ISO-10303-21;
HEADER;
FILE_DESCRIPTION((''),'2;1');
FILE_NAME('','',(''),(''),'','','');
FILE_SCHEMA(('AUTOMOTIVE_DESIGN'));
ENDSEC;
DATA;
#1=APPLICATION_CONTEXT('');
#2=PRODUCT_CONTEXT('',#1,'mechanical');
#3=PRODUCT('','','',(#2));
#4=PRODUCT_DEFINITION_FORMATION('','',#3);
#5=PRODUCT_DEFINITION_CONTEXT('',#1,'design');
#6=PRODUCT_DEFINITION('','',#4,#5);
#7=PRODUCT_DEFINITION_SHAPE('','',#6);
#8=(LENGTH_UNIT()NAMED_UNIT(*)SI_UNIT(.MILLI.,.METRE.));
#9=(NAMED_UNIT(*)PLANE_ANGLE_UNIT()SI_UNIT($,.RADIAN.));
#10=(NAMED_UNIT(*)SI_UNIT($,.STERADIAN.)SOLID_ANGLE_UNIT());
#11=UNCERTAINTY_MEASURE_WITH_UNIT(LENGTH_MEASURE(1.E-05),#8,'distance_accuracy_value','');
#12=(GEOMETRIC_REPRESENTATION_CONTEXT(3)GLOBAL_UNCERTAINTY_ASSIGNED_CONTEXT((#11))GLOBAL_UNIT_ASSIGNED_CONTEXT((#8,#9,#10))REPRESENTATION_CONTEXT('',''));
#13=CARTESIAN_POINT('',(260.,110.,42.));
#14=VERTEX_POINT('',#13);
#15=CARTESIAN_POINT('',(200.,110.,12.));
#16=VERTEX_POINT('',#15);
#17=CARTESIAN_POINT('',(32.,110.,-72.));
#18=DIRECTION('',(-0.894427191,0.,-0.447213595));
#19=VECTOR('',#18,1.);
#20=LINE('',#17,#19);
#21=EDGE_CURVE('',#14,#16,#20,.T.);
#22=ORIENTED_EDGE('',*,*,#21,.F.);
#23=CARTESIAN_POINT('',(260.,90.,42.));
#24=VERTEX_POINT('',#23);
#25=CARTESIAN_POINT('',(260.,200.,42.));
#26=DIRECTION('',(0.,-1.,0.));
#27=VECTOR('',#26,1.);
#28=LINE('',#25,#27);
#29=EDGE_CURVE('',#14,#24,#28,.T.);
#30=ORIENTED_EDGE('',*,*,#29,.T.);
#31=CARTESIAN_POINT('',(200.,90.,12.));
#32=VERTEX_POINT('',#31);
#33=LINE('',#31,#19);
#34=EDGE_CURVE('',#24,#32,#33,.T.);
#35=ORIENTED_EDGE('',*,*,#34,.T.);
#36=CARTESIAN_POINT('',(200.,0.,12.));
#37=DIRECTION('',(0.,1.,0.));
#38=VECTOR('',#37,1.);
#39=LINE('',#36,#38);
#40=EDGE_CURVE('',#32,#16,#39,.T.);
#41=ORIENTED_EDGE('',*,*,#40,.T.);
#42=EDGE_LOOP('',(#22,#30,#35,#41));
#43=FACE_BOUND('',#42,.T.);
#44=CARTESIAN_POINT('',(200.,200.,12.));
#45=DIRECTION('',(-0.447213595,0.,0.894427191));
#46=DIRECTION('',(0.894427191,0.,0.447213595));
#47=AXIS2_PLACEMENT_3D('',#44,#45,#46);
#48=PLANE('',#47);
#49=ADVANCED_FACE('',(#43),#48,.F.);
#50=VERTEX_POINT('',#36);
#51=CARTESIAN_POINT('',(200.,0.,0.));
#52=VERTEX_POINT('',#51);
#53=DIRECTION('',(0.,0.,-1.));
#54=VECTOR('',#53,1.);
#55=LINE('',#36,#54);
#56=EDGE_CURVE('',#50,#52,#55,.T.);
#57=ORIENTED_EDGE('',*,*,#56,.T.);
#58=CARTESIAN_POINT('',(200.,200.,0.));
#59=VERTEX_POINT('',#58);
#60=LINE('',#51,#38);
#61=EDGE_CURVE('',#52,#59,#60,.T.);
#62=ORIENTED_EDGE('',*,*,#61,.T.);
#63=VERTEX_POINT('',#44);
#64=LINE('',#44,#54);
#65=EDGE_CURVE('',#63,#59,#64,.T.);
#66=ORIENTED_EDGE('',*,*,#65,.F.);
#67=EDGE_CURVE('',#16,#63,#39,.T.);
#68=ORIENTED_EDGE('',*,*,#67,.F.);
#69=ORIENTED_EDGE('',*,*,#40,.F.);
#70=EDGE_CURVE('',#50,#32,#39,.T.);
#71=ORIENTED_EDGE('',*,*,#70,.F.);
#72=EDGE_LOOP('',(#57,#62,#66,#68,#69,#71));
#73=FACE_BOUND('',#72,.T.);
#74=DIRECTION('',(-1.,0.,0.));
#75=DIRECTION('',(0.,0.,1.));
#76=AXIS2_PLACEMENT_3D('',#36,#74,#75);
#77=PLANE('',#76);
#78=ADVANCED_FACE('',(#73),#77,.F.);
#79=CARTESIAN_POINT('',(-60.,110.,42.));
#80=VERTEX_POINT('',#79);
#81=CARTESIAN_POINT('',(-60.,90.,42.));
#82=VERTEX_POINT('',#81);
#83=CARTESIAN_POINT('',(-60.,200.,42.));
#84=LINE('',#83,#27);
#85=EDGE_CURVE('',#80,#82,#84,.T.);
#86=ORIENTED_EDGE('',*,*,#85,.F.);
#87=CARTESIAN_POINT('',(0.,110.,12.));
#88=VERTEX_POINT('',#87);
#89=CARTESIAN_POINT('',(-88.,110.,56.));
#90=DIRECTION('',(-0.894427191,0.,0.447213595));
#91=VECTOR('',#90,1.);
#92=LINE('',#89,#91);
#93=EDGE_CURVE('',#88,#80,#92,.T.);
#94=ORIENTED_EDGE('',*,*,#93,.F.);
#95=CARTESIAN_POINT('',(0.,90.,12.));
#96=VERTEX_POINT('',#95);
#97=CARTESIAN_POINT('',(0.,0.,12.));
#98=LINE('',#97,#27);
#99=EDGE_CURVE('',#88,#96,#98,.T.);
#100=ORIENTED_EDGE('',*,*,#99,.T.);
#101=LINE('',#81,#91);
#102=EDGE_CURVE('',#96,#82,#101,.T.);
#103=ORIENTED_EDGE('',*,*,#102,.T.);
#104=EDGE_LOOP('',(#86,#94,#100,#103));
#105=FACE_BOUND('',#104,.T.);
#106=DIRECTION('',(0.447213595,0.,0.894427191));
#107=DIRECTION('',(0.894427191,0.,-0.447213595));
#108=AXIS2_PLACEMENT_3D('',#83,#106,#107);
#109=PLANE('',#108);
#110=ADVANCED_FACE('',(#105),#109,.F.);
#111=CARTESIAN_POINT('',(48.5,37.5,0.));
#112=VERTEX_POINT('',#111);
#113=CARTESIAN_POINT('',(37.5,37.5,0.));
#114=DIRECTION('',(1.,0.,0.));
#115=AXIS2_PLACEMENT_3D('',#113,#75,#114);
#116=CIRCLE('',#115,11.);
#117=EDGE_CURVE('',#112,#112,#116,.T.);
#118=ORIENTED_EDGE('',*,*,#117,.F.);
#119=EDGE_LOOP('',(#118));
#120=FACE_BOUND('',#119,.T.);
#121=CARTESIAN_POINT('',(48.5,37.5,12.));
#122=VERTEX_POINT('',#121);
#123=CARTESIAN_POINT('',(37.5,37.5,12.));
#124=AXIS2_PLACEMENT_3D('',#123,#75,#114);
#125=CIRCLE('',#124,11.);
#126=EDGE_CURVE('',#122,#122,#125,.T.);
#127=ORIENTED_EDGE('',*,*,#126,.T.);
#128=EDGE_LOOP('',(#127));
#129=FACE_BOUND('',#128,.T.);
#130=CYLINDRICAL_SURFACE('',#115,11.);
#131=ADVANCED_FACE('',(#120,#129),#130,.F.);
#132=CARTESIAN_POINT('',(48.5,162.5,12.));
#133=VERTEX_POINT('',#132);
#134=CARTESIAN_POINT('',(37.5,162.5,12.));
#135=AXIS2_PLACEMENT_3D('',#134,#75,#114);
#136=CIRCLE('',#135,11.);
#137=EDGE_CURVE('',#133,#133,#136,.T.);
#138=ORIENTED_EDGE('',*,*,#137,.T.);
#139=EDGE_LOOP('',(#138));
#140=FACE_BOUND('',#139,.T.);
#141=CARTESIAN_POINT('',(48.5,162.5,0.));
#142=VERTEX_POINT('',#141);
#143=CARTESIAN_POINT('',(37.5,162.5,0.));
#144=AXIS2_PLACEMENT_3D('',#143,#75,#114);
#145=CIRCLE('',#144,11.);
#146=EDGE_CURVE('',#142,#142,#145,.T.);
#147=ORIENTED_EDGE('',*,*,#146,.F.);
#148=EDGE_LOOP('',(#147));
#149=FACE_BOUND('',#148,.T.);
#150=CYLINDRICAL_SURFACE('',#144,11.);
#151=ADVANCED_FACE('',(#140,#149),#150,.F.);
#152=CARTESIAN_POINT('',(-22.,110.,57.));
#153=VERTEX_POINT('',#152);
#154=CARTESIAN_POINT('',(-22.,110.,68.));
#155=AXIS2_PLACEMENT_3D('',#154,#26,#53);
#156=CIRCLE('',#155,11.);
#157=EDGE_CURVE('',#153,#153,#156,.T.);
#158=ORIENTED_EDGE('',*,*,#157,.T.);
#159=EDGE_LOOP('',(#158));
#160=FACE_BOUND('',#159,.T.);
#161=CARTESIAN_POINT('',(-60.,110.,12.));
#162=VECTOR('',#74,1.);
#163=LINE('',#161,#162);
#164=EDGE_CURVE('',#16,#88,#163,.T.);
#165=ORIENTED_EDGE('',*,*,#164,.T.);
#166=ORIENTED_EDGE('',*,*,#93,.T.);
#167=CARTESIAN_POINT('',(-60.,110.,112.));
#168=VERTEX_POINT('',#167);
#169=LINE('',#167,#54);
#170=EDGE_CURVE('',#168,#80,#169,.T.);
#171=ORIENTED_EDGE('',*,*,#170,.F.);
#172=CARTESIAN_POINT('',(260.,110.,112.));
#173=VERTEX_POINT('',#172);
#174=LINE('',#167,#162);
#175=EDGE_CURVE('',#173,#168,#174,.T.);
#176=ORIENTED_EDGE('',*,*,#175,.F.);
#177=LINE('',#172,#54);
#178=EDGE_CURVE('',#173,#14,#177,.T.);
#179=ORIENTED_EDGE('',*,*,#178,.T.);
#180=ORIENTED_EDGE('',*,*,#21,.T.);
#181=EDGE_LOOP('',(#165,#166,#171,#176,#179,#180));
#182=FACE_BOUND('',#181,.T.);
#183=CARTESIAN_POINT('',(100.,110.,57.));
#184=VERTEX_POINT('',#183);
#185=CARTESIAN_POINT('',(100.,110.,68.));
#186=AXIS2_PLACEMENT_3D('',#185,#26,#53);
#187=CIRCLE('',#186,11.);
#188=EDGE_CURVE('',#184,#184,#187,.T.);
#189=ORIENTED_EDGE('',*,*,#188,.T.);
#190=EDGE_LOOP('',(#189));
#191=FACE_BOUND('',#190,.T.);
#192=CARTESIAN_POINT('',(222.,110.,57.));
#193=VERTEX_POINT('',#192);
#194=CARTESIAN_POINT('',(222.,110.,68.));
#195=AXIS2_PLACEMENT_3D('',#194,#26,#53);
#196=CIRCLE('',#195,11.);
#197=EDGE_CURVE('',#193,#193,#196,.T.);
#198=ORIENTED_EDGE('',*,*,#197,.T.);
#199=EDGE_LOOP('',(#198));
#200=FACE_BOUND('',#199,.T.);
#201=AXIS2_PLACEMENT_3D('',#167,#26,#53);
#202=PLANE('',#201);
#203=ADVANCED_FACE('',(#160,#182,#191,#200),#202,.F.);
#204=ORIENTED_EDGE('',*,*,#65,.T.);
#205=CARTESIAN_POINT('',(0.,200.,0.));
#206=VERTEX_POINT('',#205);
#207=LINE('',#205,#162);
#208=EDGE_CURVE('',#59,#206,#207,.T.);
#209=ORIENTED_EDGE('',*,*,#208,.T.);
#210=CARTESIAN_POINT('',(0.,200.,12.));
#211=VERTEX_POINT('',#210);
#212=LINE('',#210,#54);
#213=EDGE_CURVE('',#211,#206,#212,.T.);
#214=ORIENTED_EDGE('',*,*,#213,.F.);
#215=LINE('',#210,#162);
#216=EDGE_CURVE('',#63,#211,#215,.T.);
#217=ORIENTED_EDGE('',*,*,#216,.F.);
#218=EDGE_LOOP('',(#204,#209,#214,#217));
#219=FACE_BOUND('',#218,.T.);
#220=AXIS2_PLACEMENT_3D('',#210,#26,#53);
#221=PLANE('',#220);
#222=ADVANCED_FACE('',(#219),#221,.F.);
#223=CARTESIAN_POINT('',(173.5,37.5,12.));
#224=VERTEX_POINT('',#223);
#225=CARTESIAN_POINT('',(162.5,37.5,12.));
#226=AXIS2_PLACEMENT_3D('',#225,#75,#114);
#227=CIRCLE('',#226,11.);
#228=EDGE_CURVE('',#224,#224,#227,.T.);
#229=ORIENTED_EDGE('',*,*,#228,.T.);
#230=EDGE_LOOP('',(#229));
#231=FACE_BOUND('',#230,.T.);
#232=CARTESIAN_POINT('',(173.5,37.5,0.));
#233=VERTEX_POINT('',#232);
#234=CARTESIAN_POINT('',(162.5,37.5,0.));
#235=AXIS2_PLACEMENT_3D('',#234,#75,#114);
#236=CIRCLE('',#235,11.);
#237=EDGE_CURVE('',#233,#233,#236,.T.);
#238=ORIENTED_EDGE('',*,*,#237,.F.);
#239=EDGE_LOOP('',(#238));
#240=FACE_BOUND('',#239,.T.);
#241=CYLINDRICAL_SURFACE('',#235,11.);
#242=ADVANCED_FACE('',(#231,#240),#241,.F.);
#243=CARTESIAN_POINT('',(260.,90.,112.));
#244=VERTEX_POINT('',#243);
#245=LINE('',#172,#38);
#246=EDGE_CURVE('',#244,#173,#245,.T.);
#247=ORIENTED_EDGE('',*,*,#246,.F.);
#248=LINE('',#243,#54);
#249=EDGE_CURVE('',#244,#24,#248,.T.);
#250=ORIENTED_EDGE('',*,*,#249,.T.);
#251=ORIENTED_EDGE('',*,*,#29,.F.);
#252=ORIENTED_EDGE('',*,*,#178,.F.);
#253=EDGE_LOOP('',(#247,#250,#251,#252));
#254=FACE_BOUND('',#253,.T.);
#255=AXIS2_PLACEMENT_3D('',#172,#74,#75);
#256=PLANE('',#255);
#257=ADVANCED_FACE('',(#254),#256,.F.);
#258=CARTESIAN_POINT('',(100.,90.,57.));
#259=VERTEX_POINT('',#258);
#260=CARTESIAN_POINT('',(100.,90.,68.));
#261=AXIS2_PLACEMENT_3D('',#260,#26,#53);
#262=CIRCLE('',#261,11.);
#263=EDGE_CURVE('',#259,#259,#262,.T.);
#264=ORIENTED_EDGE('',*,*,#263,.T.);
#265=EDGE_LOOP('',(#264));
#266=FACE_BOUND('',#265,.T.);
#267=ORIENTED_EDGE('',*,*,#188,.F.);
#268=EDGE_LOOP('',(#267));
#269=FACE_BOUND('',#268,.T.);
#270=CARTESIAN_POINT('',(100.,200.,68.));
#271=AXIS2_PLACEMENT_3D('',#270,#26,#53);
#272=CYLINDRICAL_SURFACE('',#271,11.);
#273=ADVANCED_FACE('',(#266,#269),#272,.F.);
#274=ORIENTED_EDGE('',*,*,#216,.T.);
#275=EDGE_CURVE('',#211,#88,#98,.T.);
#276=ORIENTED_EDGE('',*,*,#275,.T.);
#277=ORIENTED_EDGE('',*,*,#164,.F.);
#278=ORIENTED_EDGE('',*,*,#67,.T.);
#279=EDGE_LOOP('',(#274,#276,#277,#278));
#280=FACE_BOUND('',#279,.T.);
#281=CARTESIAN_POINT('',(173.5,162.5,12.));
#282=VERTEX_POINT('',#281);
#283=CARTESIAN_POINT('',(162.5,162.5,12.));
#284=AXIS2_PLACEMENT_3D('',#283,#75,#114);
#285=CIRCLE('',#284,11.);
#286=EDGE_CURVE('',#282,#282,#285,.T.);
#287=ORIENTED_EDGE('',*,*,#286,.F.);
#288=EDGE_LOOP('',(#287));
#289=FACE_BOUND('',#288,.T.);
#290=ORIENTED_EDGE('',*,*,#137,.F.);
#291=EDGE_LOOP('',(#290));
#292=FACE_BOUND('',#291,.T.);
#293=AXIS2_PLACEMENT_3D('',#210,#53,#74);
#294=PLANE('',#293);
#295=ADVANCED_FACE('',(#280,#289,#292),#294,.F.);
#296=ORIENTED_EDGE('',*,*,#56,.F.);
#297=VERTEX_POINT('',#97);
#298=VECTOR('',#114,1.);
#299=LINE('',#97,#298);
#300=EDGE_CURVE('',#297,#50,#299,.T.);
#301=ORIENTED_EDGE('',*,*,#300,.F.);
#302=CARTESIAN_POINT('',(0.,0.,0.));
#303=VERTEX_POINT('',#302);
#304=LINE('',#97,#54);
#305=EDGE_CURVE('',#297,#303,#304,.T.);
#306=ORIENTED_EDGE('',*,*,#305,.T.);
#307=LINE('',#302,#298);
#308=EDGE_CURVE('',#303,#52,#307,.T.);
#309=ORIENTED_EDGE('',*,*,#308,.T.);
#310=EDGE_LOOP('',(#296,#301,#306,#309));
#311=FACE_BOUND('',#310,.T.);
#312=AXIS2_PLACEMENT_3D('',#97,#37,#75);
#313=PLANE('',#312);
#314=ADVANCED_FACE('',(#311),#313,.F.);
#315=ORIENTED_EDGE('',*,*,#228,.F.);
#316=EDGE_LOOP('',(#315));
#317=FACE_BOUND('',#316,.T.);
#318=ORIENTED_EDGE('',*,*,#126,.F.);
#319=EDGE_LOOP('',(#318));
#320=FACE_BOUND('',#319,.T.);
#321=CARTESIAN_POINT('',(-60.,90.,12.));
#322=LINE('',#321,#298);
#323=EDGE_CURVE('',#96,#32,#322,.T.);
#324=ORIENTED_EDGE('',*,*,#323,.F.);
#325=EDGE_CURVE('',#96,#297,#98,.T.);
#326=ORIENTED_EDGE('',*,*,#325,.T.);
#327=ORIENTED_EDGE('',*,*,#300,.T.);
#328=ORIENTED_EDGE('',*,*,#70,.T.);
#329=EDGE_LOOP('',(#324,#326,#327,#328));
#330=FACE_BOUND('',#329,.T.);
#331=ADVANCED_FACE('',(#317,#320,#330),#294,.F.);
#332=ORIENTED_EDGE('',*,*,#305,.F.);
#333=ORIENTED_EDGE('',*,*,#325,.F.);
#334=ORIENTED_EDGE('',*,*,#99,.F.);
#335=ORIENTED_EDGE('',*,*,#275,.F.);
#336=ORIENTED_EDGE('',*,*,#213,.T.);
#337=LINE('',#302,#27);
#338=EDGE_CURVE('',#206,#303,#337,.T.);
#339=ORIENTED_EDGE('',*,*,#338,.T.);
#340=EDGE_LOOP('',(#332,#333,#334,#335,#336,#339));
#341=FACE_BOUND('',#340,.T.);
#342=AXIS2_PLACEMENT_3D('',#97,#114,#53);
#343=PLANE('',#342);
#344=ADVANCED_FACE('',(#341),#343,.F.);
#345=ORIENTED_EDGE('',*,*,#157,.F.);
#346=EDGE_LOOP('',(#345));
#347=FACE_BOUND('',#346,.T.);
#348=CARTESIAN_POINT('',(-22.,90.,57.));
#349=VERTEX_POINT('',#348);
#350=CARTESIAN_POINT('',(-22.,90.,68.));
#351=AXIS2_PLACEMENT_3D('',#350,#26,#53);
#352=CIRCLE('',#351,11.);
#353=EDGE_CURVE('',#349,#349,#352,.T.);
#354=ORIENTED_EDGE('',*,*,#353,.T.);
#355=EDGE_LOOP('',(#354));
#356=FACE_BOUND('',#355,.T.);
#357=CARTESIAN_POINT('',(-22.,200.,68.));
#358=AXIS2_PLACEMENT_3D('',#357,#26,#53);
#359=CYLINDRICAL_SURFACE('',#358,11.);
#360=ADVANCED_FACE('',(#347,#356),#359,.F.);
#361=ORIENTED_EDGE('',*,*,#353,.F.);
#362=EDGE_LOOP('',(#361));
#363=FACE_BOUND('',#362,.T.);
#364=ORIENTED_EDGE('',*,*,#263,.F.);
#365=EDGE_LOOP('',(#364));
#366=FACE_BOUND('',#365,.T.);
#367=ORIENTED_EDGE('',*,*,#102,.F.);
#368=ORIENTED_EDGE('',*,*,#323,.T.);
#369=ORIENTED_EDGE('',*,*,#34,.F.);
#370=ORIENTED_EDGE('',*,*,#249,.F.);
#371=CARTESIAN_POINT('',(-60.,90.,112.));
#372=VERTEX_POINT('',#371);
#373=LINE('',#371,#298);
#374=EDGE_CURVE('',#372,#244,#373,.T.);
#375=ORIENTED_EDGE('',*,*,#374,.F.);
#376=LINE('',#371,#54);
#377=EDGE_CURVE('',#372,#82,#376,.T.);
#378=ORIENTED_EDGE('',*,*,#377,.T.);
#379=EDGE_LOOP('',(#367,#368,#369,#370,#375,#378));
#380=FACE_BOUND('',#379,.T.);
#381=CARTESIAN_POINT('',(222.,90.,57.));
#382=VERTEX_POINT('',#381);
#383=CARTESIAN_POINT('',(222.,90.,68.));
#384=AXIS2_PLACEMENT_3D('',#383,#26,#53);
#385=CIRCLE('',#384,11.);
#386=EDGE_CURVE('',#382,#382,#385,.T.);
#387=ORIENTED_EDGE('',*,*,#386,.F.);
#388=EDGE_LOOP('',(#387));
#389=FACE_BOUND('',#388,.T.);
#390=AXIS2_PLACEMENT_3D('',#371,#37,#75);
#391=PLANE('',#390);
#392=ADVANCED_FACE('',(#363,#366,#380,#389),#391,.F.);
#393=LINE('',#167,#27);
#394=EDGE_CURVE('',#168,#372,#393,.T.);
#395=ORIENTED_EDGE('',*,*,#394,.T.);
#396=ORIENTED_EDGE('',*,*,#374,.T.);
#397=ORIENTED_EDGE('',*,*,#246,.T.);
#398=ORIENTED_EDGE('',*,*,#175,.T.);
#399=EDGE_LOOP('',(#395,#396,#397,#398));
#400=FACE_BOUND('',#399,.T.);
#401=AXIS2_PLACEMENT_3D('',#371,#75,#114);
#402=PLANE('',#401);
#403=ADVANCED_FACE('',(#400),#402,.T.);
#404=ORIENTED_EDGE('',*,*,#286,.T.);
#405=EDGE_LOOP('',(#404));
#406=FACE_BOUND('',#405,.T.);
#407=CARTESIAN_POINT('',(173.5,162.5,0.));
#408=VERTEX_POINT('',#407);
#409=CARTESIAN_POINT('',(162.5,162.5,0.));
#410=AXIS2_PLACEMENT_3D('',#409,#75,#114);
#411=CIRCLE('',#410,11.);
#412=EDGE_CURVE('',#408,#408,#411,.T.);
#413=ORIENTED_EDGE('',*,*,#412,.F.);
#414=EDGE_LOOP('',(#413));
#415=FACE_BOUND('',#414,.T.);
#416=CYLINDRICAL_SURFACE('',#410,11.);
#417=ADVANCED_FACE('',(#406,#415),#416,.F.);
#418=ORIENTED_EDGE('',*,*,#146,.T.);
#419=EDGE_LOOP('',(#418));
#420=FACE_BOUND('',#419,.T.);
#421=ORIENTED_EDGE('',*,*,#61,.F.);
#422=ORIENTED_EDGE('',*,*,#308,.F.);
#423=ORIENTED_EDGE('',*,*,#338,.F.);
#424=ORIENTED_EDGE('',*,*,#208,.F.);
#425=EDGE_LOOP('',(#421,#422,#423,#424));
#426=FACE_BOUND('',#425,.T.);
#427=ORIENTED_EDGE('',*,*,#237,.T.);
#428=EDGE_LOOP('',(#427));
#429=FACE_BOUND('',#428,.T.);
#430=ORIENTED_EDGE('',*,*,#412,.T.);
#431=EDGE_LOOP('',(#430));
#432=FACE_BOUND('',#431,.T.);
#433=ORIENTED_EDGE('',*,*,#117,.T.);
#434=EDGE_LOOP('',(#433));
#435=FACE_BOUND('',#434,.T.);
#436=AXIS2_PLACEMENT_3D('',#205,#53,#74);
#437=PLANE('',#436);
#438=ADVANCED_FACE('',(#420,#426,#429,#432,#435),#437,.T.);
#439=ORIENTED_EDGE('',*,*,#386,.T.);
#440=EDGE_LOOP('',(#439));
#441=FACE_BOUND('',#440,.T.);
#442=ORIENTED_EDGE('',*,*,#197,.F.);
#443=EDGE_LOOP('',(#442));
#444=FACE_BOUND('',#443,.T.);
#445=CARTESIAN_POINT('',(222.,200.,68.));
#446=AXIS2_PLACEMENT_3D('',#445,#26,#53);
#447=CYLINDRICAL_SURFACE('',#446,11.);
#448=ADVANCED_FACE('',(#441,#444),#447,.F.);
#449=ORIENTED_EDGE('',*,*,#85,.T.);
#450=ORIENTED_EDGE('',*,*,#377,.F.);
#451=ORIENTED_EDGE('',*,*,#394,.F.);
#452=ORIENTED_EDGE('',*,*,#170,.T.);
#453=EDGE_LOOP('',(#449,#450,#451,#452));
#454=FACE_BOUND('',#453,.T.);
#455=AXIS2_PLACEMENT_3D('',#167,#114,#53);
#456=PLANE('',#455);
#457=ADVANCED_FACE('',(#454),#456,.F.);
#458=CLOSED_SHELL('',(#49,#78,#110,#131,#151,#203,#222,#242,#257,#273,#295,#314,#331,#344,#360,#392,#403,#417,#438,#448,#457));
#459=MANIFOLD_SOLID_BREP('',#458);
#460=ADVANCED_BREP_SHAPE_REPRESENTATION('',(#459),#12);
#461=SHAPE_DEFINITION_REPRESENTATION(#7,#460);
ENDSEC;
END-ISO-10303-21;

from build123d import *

# Parameters (mm, degrees)
SKETCH_1_W                  = 200
SKETCH_1_H                  = 200
EXTRUDE_1_DEPTH             = 12
SKETCH_2_R                  = 11
CUT_EXTRUDE_2_DEPTH         = 284.097156468
PATTERN_LINEAR_1_COUNT      = 2
PATTERN_LINEAR_1_PITCH      = 125
PATTERN_LINEAR_1_COUNT_DIR2 = 2
PATTERN_LINEAR_1_PITCH_DIR2 = 125
SKETCH_3_W                  = 320
SKETCH_3_H                  = 20
EXTRUDE_3_DEPTH             = 100
CUT_EXTRUDE_4_DEPTH         = 304.716973513
SKETCH_6_R                  = 11
CUT_EXTRUDE_6_DEPTH         = 304.716973513
PATTERN_LINEAR_3_COUNT      = 3
PATTERN_LINEAR_3_PITCH      = 122


with BuildPart() as part:
    # 草图1 → 拉伸1 (new body)
    with BuildSketch(Plane.XY):
        with Locations((100, 100)):
            Rectangle(SKETCH_1_W, SKETCH_1_H)
    extrude(amount=EXTRUDE_1_DEPTH)

    # 草图2 → 拉伸2 (cut, through all)
    with BuildSketch(Plane.XY.offset(12)):
        with Locations((37.5, 37.5)):
            Circle(SKETCH_2_R)
    cut_extrude_2 = extrude(amount=-CUT_EXTRUDE_2_DEPTH, mode=Mode.SUBTRACT)

    # 阵列(线性)1: Cut-Extrude 2 2 × 2
    with Locations(*[(i * PATTERN_LINEAR_1_PITCH, j * PATTERN_LINEAR_1_PITCH_DIR2, 0) for i in range(PATTERN_LINEAR_1_COUNT) for j in range(PATTERN_LINEAR_1_COUNT_DIR2) if (i, j) != (0, 0)]):
        add(cut_extrude_2, mode=Mode.SUBTRACT)

    # 草图3 → 拉伸3 (add)
    with BuildSketch(Plane.XY.offset(12)):
        with Locations((100, 100)):
            Rectangle(SKETCH_3_W, SKETCH_3_H)
    extrude(amount=EXTRUDE_3_DEPTH)

    # 草图4 → 拉伸4 (cut, through all)
    with BuildSketch(Plane.XZ.offset(-90)):
        Polygon((200, 12), (260, 42), (260, 12), align=None)
        Polygon((-60, 42), (0, 12), (-60, 12), align=None)
    extrude(amount=-CUT_EXTRUDE_4_DEPTH, mode=Mode.SUBTRACT)

    # 草图6 → 拉伸6 (cut, through all)
    with BuildSketch(Plane.XZ.offset(-90)):
        with Locations(Location((-22, 68, 0), (0, 0, 270))):
            Circle(SKETCH_6_R)
    cut_extrude_6 = extrude(amount=-CUT_EXTRUDE_6_DEPTH, mode=Mode.SUBTRACT)

    # 阵列(线性)3: 拉伸6 ×3
    with Locations(*[(i * PATTERN_LINEAR_3_PITCH, 0, 0) for i in range(1, PATTERN_LINEAR_3_COUNT)]):
        add(cut_extrude_6, mode=Mode.SUBTRACT)


solid = part.part
